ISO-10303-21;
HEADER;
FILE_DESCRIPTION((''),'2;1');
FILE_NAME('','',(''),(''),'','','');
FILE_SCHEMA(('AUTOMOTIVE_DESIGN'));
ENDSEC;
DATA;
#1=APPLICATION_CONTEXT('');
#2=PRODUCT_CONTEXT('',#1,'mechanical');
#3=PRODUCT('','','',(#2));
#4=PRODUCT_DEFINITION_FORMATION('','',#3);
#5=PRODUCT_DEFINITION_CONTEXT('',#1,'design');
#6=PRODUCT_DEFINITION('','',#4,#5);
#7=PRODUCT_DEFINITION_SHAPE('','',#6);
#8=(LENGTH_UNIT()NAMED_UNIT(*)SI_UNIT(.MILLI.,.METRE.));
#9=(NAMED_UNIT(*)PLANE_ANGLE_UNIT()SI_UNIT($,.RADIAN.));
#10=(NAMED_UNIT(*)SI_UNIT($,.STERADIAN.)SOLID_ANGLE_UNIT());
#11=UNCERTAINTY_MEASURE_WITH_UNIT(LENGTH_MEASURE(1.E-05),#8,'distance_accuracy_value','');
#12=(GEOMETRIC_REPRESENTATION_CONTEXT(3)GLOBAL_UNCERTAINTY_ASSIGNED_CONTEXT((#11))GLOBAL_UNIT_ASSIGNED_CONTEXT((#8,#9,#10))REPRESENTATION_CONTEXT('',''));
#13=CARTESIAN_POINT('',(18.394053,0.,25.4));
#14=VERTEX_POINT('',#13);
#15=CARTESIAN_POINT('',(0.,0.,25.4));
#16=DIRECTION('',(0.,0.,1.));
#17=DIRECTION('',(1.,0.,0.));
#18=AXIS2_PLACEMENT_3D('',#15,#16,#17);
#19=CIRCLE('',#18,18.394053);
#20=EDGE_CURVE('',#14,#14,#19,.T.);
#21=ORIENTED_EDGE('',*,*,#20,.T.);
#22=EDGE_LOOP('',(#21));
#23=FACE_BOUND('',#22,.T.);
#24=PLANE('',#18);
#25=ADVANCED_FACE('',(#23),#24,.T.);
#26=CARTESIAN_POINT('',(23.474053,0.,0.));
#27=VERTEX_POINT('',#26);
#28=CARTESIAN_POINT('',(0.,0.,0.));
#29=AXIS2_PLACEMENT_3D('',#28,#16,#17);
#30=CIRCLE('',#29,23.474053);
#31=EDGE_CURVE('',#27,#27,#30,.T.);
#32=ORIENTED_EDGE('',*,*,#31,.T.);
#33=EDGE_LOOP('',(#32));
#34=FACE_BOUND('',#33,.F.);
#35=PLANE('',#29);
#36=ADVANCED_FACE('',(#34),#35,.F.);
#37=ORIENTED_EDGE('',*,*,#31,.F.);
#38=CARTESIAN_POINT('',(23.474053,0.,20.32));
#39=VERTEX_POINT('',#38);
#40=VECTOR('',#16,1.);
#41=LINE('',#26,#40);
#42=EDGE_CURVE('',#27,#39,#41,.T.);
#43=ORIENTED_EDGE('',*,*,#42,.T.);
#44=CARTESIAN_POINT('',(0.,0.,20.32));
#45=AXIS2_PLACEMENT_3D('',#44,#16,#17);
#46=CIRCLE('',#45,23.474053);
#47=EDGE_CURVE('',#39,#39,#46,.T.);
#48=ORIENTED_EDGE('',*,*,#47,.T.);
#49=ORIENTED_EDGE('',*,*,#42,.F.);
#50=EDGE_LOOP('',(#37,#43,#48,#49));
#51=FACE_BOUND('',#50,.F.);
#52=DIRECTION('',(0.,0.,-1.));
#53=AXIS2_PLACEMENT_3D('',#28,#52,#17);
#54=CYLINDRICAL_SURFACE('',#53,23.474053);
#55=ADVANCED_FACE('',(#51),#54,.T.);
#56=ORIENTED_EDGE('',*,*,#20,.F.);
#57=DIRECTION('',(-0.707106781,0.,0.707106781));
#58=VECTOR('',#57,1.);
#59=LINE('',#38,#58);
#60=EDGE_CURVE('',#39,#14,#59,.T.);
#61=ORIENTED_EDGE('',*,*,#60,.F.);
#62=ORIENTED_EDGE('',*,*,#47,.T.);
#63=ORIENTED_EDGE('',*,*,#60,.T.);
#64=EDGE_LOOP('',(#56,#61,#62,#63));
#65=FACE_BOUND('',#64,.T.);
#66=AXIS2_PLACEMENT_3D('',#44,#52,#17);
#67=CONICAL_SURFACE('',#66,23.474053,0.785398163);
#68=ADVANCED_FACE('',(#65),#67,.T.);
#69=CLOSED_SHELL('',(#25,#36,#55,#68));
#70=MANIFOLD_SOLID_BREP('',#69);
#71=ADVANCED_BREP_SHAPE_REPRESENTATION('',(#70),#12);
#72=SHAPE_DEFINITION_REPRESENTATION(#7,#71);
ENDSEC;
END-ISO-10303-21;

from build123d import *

# Parameters (mm, degrees)
F0_R     = 23.474053
F1_DEPTH = 25.4
F2_SIZE2 = 5.08
F2_SIZE  = 5.08


with BuildPart() as f1:
    # F0 (on Top) → F1 (new body)
    with BuildSketch(Plane.XY):
        Circle(F0_R)
    extrude(amount=F1_DEPTH)

    # F2
    f2_edges = [f1.edges().sort_by_distance(p)[0] for p in [
        (-23.474053, 0, 25.4),
    ]]
    chamfer(f2_edges, length=F2_SIZE, length2=F2_SIZE2)


solid = f1.part
